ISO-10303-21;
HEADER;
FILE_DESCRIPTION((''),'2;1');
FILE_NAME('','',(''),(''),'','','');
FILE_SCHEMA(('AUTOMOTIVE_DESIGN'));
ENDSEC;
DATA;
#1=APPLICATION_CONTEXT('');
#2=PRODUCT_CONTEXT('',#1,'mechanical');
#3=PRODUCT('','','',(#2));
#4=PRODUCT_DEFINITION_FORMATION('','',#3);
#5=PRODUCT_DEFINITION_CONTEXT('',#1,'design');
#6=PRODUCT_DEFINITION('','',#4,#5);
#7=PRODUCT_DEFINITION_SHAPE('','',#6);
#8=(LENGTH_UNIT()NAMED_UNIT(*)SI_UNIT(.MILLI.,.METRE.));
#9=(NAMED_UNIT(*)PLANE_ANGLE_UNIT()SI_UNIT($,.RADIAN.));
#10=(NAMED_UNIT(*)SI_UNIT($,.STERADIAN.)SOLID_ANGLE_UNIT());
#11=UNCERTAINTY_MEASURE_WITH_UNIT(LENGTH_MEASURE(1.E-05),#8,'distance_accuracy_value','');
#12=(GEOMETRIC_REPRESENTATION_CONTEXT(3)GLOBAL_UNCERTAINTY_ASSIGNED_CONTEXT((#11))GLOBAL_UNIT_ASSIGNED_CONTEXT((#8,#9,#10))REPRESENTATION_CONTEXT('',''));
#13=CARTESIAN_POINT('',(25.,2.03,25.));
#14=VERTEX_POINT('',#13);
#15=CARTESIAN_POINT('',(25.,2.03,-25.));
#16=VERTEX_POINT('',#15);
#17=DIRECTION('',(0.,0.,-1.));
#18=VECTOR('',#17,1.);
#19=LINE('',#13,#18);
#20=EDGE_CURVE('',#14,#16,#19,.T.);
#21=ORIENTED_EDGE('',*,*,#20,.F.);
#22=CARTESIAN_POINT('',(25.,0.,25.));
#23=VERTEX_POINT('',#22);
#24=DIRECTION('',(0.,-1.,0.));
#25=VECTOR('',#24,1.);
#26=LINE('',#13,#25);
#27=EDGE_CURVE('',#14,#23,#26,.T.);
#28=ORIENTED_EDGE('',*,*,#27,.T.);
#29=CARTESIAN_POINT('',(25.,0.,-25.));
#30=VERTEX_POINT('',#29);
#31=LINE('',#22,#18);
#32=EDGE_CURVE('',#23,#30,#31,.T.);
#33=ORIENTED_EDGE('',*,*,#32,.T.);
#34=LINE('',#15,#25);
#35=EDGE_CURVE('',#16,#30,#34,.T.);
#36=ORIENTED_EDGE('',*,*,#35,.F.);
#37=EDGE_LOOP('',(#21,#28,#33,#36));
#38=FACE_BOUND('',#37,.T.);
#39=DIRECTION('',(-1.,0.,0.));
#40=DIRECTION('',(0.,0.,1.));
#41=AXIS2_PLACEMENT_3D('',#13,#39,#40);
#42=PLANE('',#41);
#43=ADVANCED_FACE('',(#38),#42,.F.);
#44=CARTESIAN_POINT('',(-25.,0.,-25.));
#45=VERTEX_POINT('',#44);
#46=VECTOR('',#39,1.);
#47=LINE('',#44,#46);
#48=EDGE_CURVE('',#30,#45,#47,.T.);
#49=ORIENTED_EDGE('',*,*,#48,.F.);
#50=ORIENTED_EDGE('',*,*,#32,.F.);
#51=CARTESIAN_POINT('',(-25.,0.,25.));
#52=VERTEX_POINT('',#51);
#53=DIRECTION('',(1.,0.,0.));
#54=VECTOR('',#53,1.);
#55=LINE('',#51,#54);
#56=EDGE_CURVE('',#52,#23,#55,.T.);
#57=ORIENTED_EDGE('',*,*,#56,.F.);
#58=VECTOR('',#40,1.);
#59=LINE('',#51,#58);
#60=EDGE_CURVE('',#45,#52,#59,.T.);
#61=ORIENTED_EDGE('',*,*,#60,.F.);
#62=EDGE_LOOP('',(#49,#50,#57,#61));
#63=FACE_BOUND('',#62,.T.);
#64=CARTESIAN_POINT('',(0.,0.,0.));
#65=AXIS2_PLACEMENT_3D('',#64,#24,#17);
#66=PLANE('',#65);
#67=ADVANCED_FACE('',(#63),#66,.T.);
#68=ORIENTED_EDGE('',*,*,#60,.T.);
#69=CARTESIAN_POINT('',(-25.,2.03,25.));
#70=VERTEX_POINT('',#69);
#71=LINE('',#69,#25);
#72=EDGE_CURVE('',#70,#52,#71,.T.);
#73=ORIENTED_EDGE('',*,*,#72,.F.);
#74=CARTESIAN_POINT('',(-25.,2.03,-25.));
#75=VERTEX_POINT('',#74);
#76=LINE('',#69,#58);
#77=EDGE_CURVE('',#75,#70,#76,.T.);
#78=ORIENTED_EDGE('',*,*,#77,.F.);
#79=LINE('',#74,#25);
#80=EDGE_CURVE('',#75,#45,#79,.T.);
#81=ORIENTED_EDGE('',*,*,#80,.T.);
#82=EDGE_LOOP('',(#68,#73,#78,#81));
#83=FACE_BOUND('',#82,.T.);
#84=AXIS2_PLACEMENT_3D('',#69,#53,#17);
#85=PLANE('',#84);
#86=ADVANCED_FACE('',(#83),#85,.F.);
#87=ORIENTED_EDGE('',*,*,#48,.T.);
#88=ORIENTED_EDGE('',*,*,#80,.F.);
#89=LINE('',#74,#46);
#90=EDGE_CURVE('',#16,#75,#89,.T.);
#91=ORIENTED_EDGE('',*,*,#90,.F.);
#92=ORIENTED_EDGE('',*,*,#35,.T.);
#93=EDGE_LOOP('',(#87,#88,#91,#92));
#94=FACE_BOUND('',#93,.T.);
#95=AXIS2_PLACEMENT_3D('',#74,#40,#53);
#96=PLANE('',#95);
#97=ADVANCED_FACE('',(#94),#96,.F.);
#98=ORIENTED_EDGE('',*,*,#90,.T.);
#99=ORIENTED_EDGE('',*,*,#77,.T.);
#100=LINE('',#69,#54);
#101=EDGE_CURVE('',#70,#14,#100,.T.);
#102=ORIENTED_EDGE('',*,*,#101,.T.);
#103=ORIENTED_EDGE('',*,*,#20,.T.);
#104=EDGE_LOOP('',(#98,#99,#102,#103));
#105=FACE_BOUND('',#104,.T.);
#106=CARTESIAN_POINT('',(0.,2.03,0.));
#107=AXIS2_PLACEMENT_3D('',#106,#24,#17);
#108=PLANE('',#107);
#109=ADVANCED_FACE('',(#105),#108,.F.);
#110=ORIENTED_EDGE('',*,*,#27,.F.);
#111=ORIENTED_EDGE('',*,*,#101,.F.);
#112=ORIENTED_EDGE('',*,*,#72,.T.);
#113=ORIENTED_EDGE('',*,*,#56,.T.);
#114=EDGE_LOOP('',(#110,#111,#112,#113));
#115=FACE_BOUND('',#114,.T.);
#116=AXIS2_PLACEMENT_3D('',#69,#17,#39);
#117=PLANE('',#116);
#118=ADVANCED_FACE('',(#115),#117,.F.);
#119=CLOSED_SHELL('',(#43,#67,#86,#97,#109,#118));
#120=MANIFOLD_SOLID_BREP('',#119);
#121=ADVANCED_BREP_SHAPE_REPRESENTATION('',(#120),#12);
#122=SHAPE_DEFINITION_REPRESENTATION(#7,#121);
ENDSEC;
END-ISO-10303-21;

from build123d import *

# Parameters (mm, degrees)
SKETCH_1_W      = 50
SKETCH_1_H      = 50
EXTRUDE_1_DEPTH = 2.03


with BuildPart() as part:
    # 草图1 → 凸台-拉伸1 (new body)
    with BuildSketch(Plane(origin=(0, 0, 0), x_dir=(1, 0, 0), z_dir=(0, 1, 0))):
        Rectangle(SKETCH_1_W, SKETCH_1_H)
    extrude(amount=EXTRUDE_1_DEPTH)


solid = part.part
